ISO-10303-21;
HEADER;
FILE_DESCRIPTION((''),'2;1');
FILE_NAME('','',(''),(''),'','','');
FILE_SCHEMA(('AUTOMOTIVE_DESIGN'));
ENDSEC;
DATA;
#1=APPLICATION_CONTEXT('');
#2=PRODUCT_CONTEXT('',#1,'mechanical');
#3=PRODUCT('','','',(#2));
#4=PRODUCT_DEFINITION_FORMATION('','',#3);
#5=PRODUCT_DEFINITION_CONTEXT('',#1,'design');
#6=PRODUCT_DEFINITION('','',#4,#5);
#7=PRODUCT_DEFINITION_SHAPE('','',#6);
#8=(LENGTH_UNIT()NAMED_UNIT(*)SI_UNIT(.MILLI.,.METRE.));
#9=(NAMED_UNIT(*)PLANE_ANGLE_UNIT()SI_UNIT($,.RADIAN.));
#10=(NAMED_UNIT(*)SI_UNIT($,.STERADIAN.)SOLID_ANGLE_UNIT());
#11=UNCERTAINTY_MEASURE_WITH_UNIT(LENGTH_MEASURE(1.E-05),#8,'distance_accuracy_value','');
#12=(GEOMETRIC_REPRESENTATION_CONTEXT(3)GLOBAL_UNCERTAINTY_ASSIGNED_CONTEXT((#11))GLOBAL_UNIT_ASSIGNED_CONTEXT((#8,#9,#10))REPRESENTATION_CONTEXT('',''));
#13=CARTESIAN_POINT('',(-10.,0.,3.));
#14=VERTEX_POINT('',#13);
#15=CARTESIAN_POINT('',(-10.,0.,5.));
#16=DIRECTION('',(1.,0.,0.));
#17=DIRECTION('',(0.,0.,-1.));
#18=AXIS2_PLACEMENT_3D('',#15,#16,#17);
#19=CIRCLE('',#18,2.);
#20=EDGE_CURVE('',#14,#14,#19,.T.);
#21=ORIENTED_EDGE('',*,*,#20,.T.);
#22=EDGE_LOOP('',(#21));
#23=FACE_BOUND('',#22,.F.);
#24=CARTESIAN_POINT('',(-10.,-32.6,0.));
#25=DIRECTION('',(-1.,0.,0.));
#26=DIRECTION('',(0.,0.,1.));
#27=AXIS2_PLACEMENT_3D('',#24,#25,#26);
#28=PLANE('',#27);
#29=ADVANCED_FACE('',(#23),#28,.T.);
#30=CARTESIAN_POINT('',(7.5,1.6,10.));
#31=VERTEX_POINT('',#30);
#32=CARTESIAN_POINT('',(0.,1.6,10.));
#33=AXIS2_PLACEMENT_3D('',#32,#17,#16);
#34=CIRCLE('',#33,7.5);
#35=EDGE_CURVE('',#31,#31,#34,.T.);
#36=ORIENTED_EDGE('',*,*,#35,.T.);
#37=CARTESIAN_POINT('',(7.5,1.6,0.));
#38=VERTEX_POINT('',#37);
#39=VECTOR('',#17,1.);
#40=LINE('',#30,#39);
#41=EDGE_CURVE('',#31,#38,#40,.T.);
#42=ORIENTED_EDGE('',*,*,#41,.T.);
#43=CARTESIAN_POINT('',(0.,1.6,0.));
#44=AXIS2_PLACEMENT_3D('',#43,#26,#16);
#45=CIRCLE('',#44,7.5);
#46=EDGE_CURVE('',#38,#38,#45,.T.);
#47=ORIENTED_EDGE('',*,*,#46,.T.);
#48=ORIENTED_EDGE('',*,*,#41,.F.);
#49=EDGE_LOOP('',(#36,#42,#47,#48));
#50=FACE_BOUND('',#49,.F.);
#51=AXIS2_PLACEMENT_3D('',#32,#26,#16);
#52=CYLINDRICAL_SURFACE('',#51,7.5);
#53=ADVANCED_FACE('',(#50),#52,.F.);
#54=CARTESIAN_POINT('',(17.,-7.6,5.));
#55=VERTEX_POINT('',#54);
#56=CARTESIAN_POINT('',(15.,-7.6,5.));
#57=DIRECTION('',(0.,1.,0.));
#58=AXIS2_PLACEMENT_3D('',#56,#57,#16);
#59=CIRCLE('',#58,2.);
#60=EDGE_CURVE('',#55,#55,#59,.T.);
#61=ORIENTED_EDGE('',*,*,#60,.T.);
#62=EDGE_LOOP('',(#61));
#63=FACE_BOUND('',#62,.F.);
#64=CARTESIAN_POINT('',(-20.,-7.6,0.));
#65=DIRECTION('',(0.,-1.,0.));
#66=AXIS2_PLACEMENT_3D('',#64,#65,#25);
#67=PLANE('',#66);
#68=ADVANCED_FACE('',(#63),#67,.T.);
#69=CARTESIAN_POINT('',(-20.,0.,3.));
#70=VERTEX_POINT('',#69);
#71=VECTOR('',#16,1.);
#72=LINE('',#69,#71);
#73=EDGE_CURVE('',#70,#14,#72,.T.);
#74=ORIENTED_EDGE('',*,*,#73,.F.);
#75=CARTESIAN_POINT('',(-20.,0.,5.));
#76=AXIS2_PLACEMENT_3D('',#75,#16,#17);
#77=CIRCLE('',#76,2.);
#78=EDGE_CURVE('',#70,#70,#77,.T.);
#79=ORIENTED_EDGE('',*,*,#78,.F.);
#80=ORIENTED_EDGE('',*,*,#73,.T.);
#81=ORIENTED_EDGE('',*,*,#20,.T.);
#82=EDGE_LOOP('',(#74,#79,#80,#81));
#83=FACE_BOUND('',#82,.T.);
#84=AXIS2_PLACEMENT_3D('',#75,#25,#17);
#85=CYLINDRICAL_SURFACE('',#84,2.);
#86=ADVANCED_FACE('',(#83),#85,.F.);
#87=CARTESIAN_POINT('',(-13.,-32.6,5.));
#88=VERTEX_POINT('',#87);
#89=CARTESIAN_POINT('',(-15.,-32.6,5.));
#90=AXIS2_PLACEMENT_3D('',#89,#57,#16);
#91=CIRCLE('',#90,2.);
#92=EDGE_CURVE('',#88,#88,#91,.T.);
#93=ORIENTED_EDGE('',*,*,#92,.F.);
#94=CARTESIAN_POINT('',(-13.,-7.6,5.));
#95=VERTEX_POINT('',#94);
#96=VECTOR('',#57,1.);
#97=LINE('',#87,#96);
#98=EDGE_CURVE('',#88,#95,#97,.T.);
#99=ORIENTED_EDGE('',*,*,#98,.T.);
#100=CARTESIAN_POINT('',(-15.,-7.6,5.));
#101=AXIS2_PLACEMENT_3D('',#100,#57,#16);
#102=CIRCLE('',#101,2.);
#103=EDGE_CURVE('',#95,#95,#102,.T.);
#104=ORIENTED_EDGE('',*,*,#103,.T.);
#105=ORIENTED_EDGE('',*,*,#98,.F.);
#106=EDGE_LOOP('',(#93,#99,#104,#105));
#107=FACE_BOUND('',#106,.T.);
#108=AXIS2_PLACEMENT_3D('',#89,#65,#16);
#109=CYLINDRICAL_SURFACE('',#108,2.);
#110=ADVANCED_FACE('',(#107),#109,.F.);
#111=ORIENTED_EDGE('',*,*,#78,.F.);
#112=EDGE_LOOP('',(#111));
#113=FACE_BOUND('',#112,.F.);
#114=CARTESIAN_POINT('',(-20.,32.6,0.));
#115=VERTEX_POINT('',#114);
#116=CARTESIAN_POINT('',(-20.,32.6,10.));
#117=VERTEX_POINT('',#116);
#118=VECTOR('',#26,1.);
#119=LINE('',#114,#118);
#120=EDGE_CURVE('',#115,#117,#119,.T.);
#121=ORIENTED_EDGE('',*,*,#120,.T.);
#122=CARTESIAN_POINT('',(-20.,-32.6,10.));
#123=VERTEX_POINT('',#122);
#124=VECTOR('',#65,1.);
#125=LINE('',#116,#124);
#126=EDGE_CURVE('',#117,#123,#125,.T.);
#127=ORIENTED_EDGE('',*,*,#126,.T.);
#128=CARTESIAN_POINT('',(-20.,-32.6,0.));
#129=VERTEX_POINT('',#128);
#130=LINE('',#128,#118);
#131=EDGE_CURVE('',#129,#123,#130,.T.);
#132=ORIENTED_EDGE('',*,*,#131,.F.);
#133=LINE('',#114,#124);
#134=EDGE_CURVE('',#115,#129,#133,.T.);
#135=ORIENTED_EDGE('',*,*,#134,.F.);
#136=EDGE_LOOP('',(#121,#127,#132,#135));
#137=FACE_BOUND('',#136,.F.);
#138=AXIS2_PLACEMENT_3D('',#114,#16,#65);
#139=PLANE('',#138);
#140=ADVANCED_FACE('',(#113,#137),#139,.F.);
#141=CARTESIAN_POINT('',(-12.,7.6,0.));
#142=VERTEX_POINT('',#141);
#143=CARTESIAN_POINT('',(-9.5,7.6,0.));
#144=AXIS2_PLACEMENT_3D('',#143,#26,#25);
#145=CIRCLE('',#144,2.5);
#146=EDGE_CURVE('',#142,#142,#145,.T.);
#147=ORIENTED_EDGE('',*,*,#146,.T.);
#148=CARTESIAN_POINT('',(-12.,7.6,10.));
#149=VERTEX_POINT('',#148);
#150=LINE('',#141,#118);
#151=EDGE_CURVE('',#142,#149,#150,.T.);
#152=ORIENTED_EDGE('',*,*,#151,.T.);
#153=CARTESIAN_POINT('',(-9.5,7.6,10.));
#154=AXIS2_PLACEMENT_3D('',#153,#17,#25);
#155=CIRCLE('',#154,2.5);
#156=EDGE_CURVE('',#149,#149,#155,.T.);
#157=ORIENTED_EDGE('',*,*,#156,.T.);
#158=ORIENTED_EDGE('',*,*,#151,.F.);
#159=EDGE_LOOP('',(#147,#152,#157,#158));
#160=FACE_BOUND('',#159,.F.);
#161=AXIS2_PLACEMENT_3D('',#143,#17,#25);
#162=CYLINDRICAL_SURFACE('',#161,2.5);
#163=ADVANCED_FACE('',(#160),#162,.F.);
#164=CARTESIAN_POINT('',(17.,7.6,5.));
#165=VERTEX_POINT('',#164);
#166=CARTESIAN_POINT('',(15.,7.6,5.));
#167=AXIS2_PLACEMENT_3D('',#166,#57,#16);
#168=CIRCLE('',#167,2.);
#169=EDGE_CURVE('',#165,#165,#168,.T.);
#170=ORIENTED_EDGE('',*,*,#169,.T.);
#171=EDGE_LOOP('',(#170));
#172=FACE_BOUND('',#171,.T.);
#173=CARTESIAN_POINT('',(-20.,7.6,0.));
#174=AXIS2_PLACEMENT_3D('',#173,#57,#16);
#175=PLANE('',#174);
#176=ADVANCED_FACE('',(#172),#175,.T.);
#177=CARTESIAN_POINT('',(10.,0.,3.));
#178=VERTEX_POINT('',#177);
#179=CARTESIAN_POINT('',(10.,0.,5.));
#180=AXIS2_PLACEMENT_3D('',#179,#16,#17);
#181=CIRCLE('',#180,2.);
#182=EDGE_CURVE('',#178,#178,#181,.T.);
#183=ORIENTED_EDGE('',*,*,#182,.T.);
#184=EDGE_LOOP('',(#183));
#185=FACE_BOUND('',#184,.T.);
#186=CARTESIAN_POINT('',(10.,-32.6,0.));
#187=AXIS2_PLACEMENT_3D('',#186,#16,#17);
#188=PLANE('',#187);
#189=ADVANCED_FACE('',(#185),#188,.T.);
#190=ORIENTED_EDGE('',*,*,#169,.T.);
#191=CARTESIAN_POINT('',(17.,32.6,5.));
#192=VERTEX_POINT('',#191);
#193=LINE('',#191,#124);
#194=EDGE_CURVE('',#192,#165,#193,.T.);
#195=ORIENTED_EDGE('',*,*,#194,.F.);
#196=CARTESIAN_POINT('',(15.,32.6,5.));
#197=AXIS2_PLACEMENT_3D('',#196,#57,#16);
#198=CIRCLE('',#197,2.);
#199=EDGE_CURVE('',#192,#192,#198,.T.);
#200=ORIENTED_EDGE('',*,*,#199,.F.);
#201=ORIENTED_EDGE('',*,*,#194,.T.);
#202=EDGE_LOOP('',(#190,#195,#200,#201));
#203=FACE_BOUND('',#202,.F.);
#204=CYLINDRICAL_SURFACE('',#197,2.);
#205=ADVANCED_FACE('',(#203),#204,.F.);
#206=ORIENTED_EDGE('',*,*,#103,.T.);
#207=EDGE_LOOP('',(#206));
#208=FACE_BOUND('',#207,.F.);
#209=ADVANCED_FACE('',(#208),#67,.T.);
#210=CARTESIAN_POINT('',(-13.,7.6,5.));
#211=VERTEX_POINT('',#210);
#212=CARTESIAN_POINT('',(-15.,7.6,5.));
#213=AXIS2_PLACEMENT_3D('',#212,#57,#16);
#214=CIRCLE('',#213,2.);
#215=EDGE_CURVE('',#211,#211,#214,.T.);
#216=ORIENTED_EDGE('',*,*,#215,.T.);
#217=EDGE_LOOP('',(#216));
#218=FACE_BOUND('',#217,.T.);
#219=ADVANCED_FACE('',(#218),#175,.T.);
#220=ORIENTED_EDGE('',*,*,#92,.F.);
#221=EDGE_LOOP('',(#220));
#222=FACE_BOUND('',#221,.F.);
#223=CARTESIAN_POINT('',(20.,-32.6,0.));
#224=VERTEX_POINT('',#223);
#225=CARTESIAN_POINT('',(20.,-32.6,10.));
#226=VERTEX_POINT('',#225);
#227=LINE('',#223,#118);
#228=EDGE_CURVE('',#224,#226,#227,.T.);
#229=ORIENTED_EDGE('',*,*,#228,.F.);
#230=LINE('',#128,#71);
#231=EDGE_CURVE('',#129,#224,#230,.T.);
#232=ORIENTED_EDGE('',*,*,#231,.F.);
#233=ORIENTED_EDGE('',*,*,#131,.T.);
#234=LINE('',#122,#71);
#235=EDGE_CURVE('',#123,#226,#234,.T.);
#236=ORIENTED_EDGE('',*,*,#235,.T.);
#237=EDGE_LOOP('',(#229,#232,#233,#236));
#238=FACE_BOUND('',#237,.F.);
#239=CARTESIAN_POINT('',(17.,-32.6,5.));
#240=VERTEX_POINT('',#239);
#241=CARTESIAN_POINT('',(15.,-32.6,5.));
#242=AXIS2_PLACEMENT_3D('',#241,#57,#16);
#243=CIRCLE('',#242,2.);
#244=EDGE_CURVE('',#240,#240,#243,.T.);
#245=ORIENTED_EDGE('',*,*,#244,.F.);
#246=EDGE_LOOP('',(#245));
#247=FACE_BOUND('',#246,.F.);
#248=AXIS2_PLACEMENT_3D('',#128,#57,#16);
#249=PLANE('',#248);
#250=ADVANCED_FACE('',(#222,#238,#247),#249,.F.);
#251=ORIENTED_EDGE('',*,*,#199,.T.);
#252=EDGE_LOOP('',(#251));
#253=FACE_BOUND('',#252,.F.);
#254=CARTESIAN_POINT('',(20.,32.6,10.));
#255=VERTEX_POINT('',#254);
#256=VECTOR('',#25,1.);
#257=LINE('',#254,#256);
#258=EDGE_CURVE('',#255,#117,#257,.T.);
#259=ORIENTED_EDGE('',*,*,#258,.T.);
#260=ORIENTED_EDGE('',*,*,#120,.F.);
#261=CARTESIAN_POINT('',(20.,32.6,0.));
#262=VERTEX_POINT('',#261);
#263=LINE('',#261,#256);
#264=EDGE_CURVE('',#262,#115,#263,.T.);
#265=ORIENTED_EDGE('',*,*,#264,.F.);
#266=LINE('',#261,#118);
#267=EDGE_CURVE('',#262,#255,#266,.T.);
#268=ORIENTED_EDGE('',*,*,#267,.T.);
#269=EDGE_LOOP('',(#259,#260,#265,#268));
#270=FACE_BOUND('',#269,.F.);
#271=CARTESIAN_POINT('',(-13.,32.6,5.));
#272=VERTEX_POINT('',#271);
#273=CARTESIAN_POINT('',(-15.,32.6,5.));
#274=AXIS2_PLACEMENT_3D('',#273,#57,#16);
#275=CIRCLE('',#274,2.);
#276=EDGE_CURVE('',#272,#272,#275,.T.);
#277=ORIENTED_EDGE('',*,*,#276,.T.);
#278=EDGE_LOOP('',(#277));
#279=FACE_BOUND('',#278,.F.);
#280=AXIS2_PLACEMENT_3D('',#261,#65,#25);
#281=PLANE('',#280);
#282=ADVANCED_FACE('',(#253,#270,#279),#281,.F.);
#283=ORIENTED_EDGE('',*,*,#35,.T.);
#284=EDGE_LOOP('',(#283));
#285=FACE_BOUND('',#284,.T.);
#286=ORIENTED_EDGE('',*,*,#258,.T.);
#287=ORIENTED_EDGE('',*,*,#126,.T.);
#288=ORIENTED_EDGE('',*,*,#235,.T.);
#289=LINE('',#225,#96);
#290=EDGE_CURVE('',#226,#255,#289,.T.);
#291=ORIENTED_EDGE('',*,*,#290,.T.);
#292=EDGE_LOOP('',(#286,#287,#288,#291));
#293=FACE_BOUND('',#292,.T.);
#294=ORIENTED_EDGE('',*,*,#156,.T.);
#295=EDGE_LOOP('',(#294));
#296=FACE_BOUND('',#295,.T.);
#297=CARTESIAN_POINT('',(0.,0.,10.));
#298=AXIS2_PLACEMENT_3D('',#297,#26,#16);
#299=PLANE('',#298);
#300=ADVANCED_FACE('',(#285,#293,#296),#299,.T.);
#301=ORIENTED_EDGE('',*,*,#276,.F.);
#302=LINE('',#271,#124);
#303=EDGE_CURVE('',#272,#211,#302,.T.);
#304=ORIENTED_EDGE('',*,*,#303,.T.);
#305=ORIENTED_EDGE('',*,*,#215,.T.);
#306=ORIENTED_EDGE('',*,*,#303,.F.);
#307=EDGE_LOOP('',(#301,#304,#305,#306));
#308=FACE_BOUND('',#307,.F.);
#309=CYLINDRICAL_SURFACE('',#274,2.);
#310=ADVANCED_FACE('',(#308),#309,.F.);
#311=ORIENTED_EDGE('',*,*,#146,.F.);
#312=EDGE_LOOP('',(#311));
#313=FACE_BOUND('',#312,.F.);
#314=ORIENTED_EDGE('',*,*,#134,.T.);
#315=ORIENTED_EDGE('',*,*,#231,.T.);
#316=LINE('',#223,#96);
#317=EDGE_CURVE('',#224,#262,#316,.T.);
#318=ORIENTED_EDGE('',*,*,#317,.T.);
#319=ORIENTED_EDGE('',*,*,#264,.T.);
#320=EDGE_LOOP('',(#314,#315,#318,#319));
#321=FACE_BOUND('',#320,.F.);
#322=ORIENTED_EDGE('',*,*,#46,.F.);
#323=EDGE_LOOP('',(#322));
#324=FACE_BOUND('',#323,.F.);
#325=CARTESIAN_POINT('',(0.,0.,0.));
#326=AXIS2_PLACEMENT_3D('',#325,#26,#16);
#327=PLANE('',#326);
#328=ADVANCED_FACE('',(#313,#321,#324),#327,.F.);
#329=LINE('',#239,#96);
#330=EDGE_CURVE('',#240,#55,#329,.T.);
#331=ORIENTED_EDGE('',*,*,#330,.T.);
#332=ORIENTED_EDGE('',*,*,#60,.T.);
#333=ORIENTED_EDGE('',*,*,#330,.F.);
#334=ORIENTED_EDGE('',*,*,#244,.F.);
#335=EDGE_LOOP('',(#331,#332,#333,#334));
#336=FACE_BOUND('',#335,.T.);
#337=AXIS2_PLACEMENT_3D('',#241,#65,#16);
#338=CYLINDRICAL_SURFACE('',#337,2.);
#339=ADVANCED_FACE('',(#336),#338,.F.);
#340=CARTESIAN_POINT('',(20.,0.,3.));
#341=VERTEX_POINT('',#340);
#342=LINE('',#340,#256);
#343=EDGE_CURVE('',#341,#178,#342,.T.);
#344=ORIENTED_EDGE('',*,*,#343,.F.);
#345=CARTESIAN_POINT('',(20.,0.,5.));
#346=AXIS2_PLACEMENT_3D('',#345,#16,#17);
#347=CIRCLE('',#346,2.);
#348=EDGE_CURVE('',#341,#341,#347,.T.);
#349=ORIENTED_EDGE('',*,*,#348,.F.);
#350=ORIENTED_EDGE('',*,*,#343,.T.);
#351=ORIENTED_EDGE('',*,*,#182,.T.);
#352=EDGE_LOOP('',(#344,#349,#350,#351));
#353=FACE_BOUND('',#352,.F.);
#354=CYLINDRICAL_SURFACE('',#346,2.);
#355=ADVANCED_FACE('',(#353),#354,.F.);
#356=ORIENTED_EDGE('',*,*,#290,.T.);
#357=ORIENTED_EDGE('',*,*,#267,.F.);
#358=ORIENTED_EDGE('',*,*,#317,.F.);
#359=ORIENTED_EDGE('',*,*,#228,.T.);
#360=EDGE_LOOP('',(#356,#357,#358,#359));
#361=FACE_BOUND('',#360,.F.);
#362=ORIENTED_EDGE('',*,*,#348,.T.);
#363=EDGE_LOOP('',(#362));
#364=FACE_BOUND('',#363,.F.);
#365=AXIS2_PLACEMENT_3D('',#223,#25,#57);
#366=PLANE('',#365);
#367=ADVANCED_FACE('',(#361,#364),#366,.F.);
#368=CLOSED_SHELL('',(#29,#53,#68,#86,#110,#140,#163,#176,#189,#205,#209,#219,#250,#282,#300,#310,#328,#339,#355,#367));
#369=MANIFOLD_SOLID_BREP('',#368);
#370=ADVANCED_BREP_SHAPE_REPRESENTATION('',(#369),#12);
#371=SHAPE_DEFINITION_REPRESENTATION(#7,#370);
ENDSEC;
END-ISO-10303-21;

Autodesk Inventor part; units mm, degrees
ref_plane "YZ Plane" through (0, 0, 0) normal (1, 0, 0) x (0, 1, 0)
ref_plane "XZ Plane" through (0, 0, 0) normal (0, 1, 0) x (-1, 0, 0)
ref_plane "XY Plane" through (0, 0, 0) normal (0, 0, 1) x (1, 0, 0)
sketch "Sketch1" plane through (0, 0, 0) normal (0, 0, 1) x (1, 0, 0)
  line L0 (-20, -32.6) -> (20, -32.6)
  line L1 (20, -32.6) -> (20, 32.6)
  line L2 (20, 32.6) -> (-20, 32.6)
  line L3 (-20, 32.6) -> (-20, -32.6)
  line L4 (-20, -32.6) -> (20, 32.6) construction
  line L5 (20, -32.6) -> (-20, 32.6) construction
  point P0 (0, 0)
  dimension "d0" = 40
  dimension "d1" = 65.2
extrude "Extrusion1" add sketch "Sketch1" along normal blind 10
sketch "Sketch2" plane through (-20, 32.6, 0) normal (0, 1, 0) x (1, 0, 0)
  line L0 (40, -10) -> (40, -5)
  line L1 (40, 0) -> (40, -10) projected
  line L2 (40, -5) -> (35, -5)
  circle A0 centre (35, -5) radius 2
  line L3 (20, 0) -> (20, -10)
  circle A1 centre (5, -5) radius 2
  dimension "d4" = 5
  dimension "d5" = 5
  dimension "d6" = 4
extrude "Extrusion2" cut sketch "Sketch2" against normal blind 25
mirror "Mirror1" about plane through (0, 0, 0) normal (0, 1, 0) of "Extrusion2"
thread "Thread1" size "M4x0.7" class "6H" standard "ANSI Metric M Profile" full length
thread "Thread2" size "M4x0.7" class "6H" standard "ANSI Metric M Profile" full length
thread "Thread3" size "M4x0.7" class "6H" standard "ANSI Metric M Profile" full length
thread "Thread4" size "M4x0.7" class "6H" standard "ANSI Metric M Profile" full length
sketch "Sketch3" plane through (20, -32.6, 0) normal (1, 0, 0) x (0, 0, -1)
  line L0 (0, 32.6) -> (-5, 32.6)
  circle A0 centre (-5, 32.6) radius 2
  dimension "d17" = 5
  dimension "d18" = 4
extrude "Extrusion3" cut sketch "Sketch3" against normal blind 10
mirror "Mirror2" about plane through (0, 0, 0) normal (1, 0, 0) of "Extrusion3"
sketch "Sketch4" plane through (0, 0, 10) normal (0, 0, 1) x (1, 0, 0)
  point P0 (0, 0)
sketch "Sketch5" plane through (0, 0, 10) normal (0, 0, 1) x (1, 0, 0)
  line L0 (-20, -32.6) -> (20, -32.6) projected
  line L1 (0, -32.6) -> (0, 1.6)
  circle A0 centre (0, 1.6) radius 7.5
  line L2 (0, 1.6) -> (13, 1.6)
  point P0 (0, 0)
  dimension "d21" = 34.2
  dimension "d22" = 15
thread "Thread5" size "M4x0.7" class "6H" standard "ANSI Metric M Profile" full length
thread "Thread6" size "M4x0.7" class "6H" standard "ANSI Metric M Profile" full length
extrude "Extrusion6" cut sketch "Sketch5" against normal blind 10
sketch "Sketch6" plane through (0, 0, 10) normal (0, 0, 1) x (1, 0, 0)
  circle A0 centre (13, 6.6) radius 3.75 projected
sketch "Boceto7" plane through (0, 0, 0) normal (0, 0, -1) x (-1, 0, 0)
  circle A0 centre (0, 1.6) radius 3.9163
  circle A1 centre (0, 1.6) radius 7.5 projected
  line L0 (0, 1.6) -> (9.5, 1.6)
  line L1 (9.5, 1.6) -> (9.5, 7.6)
  circle A2 centre (9.5, 7.6) radius 2.5
  point P0 (0, 0)
  dimension "d38" = 9.5
  dimension "d39" = 6
  dimension "d40" = 5
extrude "Extrusión7" cut sketch "Boceto7" against normal blind 10 contours A2
sketch "Boceto8" plane through (0, 0, 10) normal (0, 0, 1) x (1, 0, 0)
  circle A0 centre (-9.5, 7.6) radius 2.5 projected
sketch "Boceto9" plane through (0, 0, 0) normal (0, 0, -1) x (-1, 0, 0)
  circle A0 centre (9.5, 7.6) radius 2.5 projected
sketch "Boceto10" plane through (0, 0, 10) normal (0, 0, 1) x (1, 0, 0)
  circle A0 centre (-9.5, 7.6) radius 2.5 projected
sketch "Boceto11" plane through (0, 0, 0) normal (0, 0, -1) x (-1, 0, 0)
  circle A0 centre (9.5, 7.6) radius 2.5 projected
properties part number "Rb PEEK - Corto con ventana"
